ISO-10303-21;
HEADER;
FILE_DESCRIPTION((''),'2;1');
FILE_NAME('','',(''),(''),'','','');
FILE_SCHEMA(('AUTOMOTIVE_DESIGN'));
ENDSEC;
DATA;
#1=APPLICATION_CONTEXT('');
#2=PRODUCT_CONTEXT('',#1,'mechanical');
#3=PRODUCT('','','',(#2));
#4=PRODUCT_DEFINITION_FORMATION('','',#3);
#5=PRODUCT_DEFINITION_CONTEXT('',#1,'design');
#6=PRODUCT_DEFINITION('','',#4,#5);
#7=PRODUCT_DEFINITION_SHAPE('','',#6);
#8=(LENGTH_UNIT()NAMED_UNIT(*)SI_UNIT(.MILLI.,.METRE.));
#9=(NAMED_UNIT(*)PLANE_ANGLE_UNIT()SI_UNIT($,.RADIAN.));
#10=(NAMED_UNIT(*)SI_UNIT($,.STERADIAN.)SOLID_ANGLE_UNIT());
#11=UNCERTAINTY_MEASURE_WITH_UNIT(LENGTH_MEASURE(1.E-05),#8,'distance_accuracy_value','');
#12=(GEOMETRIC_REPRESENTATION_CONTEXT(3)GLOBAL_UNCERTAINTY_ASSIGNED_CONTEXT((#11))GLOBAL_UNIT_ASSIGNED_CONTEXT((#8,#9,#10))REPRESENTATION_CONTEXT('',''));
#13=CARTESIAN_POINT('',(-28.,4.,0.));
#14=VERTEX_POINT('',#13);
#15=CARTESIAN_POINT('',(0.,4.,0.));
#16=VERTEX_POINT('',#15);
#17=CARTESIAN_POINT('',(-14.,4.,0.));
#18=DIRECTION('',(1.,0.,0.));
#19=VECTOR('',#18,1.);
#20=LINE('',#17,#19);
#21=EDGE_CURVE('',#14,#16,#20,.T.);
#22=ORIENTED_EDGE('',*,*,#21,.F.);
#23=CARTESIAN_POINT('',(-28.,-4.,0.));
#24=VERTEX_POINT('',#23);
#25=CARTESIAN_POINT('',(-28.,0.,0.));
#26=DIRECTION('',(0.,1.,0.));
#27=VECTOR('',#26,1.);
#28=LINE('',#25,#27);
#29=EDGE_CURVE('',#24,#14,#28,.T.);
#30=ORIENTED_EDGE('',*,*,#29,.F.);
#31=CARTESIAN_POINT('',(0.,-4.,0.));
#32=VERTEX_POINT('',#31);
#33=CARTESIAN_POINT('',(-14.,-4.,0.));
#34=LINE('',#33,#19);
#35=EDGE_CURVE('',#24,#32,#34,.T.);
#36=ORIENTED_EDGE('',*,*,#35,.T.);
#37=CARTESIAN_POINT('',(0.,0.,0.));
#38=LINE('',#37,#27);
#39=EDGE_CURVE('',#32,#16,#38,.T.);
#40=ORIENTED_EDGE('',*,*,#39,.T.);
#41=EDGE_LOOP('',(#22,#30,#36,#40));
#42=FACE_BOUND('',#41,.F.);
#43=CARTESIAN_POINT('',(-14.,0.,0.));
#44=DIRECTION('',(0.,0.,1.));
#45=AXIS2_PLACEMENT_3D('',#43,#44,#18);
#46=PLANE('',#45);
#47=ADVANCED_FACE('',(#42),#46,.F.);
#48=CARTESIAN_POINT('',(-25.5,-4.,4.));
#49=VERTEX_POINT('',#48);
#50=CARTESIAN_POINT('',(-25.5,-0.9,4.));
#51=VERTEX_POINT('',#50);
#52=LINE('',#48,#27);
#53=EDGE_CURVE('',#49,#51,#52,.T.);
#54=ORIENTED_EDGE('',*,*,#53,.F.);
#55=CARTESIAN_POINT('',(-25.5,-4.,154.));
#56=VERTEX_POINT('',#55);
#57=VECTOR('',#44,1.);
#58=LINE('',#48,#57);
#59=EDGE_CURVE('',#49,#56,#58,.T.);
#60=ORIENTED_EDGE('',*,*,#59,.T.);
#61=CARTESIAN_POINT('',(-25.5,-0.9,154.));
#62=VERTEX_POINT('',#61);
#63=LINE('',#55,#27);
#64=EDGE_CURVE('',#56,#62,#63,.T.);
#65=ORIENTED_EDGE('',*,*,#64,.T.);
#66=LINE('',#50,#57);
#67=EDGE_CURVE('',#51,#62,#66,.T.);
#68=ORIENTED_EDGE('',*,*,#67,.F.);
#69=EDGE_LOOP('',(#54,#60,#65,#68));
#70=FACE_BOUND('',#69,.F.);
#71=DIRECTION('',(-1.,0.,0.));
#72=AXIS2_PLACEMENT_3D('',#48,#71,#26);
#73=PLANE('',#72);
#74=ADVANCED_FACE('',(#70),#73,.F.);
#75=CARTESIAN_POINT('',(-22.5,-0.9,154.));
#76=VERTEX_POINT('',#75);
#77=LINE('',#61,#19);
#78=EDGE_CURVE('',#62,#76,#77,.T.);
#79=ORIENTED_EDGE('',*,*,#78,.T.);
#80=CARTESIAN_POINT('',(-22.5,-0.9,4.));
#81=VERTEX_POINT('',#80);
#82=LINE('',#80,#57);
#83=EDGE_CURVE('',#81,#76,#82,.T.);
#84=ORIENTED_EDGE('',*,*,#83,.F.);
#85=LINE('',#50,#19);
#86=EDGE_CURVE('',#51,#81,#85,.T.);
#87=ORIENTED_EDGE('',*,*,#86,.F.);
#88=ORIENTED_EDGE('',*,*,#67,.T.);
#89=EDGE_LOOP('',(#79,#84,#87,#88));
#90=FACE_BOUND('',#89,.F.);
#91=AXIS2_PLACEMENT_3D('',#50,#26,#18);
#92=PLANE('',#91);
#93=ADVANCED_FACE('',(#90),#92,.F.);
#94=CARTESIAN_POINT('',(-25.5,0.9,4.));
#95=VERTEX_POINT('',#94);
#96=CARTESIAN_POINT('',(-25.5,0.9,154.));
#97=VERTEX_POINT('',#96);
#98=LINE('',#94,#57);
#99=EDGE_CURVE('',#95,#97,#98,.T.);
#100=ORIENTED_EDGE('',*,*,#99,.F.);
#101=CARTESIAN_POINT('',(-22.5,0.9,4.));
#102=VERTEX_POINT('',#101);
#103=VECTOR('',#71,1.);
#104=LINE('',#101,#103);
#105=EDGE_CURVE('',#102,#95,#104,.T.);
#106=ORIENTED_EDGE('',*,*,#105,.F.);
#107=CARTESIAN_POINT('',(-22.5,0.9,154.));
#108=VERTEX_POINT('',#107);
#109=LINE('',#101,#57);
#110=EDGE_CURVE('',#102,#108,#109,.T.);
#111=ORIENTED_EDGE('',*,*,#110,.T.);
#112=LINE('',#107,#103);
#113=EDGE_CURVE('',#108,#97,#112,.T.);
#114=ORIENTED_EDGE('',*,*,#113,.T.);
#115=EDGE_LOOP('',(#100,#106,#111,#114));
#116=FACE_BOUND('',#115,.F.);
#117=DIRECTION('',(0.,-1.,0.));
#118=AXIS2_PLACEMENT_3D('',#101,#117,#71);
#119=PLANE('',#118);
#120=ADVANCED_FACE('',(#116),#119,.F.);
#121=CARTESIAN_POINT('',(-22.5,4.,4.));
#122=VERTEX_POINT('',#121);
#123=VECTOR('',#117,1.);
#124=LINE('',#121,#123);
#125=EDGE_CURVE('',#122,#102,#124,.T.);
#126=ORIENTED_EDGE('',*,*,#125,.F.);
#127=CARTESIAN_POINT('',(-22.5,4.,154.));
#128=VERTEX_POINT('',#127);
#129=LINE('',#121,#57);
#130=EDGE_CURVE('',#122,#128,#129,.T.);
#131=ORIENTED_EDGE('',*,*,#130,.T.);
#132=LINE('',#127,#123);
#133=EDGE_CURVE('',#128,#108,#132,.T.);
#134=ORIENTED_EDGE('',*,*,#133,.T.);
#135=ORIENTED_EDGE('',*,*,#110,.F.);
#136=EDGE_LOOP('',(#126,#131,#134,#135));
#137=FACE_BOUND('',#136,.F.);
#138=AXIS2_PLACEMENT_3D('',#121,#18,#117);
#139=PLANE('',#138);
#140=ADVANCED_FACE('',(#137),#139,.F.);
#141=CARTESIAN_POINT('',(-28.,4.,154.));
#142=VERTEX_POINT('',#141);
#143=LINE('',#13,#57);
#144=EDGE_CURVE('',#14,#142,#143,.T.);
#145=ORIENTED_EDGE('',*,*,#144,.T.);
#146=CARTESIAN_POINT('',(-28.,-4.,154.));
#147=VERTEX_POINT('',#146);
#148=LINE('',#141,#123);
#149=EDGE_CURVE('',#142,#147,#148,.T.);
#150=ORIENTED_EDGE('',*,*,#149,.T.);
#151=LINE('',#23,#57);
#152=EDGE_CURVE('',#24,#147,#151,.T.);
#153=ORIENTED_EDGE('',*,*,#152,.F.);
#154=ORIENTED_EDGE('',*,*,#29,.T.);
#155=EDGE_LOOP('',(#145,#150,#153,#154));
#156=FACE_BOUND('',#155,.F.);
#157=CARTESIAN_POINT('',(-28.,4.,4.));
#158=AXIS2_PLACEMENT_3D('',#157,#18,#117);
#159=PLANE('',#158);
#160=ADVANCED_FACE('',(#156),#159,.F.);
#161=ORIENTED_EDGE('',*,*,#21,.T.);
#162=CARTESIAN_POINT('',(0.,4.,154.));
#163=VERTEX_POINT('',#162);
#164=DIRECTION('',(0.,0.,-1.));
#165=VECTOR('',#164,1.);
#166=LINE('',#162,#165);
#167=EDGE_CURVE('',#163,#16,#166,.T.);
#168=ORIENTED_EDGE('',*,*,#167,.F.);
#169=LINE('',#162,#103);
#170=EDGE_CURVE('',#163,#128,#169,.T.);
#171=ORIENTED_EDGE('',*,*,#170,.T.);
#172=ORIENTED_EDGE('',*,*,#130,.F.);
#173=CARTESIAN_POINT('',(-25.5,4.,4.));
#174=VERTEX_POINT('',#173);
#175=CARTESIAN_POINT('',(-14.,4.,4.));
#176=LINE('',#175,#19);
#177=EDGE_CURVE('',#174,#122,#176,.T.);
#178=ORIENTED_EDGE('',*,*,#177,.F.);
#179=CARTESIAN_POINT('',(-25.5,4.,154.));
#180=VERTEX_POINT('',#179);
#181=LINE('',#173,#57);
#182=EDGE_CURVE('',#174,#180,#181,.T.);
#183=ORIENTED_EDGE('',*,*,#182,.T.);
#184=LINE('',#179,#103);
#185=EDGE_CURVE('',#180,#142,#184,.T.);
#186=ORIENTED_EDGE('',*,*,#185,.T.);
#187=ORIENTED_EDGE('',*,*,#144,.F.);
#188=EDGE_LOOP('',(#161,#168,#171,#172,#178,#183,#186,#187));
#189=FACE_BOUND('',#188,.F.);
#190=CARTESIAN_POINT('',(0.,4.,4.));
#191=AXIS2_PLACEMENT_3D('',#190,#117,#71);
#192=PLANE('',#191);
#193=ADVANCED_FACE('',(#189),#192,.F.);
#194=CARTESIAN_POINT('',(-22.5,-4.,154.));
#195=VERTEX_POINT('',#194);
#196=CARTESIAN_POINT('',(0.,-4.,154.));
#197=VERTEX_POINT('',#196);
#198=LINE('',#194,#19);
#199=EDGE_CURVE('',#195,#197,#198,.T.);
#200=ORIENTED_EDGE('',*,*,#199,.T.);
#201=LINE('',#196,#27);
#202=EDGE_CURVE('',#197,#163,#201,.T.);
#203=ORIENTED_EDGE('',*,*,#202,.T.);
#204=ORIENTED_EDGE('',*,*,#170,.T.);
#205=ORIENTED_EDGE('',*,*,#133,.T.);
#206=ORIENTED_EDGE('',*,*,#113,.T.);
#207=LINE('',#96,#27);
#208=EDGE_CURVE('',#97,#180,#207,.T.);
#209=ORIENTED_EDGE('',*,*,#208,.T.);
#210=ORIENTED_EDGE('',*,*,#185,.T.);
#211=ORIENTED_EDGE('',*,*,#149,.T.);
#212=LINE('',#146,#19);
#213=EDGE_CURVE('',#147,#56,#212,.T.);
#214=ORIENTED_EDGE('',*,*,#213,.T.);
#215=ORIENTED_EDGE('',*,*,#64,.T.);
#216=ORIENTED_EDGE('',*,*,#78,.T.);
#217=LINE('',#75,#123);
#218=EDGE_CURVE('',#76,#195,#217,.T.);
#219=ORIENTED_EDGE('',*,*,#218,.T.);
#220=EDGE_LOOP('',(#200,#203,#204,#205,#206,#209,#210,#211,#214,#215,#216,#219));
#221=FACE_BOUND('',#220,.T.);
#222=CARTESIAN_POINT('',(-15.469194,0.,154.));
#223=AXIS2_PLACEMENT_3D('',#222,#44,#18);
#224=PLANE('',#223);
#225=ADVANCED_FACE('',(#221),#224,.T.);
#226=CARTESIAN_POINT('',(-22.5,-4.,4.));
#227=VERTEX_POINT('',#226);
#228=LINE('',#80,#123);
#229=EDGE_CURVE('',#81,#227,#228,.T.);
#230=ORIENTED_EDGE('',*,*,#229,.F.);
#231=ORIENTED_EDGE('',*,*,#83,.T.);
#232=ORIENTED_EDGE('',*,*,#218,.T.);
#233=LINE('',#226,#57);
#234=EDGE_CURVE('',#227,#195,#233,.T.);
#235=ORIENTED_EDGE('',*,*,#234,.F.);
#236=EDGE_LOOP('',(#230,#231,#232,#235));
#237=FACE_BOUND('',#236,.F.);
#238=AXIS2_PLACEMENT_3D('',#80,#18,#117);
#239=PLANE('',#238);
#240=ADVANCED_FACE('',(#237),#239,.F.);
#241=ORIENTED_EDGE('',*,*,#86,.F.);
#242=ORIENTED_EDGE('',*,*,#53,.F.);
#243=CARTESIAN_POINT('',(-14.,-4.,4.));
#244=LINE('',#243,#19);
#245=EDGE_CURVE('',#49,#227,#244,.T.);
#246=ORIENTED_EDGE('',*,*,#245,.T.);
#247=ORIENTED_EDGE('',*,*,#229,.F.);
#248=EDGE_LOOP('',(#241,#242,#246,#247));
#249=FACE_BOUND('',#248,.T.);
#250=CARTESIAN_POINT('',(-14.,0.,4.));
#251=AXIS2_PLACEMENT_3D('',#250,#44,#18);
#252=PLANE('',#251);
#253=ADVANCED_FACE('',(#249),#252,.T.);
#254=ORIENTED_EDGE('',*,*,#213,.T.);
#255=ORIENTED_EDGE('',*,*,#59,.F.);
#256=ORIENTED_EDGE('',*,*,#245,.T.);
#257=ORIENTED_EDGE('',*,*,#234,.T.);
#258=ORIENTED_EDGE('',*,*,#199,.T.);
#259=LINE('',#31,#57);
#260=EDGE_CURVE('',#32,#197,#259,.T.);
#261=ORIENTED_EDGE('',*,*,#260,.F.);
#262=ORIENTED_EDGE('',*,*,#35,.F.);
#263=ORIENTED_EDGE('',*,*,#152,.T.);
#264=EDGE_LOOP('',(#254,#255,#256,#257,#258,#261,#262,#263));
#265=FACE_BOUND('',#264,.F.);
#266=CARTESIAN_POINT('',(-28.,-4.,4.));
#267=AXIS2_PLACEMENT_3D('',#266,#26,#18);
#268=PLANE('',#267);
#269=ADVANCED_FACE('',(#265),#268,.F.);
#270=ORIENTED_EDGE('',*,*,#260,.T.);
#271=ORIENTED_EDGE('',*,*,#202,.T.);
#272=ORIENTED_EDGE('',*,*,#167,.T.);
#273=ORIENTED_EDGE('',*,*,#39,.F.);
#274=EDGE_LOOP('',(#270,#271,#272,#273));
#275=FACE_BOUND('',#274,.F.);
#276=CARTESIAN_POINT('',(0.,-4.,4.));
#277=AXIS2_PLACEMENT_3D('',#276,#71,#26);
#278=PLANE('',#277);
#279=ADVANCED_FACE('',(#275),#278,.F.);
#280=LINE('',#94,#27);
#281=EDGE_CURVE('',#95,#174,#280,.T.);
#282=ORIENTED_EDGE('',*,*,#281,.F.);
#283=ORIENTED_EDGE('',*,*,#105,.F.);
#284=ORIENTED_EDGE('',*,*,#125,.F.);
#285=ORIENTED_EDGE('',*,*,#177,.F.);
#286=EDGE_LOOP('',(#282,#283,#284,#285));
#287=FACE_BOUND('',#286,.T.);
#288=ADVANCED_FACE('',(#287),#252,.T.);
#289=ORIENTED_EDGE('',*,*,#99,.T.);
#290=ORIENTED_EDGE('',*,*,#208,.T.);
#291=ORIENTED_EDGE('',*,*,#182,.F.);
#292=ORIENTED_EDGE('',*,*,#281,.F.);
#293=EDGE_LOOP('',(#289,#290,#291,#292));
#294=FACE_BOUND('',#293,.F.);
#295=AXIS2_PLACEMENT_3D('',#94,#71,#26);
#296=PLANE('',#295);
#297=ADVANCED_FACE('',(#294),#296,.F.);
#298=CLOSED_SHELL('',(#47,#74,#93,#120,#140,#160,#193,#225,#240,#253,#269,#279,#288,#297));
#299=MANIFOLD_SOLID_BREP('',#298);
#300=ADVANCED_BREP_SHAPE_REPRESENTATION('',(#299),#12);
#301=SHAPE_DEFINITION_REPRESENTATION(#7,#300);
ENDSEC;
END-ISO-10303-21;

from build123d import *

# Parameters (mm, degrees)
SKETCH_W     = 28
SKETCH_H     = 8
PAD_DEPTH    = 4
PAD001_DEPTH = 150


with BuildPart() as part:
    # Sketch → Pad (new body)
    with BuildSketch(Plane.XY):
        with Locations((-14, 0)):
            Rectangle(SKETCH_W, SKETCH_H)
    extrude(amount=PAD_DEPTH)

    # Sketch001 (on Face6 of Pad) → Pad001 (join)
    with BuildSketch(Plane.XY.offset(4)):
        Polygon((-22.5, 0.9), (-25.5, 0.9), (-25.5, 4), (-28, 4), (-28, -4), (-25.5, -4), (-25.5, -0.9), (-22.5, -0.9), (-22.5, -4), (0, -4), (0, 4), (-22.5, 4), align=None)
    extrude(amount=PAD001_DEPTH)


solid = part.part
